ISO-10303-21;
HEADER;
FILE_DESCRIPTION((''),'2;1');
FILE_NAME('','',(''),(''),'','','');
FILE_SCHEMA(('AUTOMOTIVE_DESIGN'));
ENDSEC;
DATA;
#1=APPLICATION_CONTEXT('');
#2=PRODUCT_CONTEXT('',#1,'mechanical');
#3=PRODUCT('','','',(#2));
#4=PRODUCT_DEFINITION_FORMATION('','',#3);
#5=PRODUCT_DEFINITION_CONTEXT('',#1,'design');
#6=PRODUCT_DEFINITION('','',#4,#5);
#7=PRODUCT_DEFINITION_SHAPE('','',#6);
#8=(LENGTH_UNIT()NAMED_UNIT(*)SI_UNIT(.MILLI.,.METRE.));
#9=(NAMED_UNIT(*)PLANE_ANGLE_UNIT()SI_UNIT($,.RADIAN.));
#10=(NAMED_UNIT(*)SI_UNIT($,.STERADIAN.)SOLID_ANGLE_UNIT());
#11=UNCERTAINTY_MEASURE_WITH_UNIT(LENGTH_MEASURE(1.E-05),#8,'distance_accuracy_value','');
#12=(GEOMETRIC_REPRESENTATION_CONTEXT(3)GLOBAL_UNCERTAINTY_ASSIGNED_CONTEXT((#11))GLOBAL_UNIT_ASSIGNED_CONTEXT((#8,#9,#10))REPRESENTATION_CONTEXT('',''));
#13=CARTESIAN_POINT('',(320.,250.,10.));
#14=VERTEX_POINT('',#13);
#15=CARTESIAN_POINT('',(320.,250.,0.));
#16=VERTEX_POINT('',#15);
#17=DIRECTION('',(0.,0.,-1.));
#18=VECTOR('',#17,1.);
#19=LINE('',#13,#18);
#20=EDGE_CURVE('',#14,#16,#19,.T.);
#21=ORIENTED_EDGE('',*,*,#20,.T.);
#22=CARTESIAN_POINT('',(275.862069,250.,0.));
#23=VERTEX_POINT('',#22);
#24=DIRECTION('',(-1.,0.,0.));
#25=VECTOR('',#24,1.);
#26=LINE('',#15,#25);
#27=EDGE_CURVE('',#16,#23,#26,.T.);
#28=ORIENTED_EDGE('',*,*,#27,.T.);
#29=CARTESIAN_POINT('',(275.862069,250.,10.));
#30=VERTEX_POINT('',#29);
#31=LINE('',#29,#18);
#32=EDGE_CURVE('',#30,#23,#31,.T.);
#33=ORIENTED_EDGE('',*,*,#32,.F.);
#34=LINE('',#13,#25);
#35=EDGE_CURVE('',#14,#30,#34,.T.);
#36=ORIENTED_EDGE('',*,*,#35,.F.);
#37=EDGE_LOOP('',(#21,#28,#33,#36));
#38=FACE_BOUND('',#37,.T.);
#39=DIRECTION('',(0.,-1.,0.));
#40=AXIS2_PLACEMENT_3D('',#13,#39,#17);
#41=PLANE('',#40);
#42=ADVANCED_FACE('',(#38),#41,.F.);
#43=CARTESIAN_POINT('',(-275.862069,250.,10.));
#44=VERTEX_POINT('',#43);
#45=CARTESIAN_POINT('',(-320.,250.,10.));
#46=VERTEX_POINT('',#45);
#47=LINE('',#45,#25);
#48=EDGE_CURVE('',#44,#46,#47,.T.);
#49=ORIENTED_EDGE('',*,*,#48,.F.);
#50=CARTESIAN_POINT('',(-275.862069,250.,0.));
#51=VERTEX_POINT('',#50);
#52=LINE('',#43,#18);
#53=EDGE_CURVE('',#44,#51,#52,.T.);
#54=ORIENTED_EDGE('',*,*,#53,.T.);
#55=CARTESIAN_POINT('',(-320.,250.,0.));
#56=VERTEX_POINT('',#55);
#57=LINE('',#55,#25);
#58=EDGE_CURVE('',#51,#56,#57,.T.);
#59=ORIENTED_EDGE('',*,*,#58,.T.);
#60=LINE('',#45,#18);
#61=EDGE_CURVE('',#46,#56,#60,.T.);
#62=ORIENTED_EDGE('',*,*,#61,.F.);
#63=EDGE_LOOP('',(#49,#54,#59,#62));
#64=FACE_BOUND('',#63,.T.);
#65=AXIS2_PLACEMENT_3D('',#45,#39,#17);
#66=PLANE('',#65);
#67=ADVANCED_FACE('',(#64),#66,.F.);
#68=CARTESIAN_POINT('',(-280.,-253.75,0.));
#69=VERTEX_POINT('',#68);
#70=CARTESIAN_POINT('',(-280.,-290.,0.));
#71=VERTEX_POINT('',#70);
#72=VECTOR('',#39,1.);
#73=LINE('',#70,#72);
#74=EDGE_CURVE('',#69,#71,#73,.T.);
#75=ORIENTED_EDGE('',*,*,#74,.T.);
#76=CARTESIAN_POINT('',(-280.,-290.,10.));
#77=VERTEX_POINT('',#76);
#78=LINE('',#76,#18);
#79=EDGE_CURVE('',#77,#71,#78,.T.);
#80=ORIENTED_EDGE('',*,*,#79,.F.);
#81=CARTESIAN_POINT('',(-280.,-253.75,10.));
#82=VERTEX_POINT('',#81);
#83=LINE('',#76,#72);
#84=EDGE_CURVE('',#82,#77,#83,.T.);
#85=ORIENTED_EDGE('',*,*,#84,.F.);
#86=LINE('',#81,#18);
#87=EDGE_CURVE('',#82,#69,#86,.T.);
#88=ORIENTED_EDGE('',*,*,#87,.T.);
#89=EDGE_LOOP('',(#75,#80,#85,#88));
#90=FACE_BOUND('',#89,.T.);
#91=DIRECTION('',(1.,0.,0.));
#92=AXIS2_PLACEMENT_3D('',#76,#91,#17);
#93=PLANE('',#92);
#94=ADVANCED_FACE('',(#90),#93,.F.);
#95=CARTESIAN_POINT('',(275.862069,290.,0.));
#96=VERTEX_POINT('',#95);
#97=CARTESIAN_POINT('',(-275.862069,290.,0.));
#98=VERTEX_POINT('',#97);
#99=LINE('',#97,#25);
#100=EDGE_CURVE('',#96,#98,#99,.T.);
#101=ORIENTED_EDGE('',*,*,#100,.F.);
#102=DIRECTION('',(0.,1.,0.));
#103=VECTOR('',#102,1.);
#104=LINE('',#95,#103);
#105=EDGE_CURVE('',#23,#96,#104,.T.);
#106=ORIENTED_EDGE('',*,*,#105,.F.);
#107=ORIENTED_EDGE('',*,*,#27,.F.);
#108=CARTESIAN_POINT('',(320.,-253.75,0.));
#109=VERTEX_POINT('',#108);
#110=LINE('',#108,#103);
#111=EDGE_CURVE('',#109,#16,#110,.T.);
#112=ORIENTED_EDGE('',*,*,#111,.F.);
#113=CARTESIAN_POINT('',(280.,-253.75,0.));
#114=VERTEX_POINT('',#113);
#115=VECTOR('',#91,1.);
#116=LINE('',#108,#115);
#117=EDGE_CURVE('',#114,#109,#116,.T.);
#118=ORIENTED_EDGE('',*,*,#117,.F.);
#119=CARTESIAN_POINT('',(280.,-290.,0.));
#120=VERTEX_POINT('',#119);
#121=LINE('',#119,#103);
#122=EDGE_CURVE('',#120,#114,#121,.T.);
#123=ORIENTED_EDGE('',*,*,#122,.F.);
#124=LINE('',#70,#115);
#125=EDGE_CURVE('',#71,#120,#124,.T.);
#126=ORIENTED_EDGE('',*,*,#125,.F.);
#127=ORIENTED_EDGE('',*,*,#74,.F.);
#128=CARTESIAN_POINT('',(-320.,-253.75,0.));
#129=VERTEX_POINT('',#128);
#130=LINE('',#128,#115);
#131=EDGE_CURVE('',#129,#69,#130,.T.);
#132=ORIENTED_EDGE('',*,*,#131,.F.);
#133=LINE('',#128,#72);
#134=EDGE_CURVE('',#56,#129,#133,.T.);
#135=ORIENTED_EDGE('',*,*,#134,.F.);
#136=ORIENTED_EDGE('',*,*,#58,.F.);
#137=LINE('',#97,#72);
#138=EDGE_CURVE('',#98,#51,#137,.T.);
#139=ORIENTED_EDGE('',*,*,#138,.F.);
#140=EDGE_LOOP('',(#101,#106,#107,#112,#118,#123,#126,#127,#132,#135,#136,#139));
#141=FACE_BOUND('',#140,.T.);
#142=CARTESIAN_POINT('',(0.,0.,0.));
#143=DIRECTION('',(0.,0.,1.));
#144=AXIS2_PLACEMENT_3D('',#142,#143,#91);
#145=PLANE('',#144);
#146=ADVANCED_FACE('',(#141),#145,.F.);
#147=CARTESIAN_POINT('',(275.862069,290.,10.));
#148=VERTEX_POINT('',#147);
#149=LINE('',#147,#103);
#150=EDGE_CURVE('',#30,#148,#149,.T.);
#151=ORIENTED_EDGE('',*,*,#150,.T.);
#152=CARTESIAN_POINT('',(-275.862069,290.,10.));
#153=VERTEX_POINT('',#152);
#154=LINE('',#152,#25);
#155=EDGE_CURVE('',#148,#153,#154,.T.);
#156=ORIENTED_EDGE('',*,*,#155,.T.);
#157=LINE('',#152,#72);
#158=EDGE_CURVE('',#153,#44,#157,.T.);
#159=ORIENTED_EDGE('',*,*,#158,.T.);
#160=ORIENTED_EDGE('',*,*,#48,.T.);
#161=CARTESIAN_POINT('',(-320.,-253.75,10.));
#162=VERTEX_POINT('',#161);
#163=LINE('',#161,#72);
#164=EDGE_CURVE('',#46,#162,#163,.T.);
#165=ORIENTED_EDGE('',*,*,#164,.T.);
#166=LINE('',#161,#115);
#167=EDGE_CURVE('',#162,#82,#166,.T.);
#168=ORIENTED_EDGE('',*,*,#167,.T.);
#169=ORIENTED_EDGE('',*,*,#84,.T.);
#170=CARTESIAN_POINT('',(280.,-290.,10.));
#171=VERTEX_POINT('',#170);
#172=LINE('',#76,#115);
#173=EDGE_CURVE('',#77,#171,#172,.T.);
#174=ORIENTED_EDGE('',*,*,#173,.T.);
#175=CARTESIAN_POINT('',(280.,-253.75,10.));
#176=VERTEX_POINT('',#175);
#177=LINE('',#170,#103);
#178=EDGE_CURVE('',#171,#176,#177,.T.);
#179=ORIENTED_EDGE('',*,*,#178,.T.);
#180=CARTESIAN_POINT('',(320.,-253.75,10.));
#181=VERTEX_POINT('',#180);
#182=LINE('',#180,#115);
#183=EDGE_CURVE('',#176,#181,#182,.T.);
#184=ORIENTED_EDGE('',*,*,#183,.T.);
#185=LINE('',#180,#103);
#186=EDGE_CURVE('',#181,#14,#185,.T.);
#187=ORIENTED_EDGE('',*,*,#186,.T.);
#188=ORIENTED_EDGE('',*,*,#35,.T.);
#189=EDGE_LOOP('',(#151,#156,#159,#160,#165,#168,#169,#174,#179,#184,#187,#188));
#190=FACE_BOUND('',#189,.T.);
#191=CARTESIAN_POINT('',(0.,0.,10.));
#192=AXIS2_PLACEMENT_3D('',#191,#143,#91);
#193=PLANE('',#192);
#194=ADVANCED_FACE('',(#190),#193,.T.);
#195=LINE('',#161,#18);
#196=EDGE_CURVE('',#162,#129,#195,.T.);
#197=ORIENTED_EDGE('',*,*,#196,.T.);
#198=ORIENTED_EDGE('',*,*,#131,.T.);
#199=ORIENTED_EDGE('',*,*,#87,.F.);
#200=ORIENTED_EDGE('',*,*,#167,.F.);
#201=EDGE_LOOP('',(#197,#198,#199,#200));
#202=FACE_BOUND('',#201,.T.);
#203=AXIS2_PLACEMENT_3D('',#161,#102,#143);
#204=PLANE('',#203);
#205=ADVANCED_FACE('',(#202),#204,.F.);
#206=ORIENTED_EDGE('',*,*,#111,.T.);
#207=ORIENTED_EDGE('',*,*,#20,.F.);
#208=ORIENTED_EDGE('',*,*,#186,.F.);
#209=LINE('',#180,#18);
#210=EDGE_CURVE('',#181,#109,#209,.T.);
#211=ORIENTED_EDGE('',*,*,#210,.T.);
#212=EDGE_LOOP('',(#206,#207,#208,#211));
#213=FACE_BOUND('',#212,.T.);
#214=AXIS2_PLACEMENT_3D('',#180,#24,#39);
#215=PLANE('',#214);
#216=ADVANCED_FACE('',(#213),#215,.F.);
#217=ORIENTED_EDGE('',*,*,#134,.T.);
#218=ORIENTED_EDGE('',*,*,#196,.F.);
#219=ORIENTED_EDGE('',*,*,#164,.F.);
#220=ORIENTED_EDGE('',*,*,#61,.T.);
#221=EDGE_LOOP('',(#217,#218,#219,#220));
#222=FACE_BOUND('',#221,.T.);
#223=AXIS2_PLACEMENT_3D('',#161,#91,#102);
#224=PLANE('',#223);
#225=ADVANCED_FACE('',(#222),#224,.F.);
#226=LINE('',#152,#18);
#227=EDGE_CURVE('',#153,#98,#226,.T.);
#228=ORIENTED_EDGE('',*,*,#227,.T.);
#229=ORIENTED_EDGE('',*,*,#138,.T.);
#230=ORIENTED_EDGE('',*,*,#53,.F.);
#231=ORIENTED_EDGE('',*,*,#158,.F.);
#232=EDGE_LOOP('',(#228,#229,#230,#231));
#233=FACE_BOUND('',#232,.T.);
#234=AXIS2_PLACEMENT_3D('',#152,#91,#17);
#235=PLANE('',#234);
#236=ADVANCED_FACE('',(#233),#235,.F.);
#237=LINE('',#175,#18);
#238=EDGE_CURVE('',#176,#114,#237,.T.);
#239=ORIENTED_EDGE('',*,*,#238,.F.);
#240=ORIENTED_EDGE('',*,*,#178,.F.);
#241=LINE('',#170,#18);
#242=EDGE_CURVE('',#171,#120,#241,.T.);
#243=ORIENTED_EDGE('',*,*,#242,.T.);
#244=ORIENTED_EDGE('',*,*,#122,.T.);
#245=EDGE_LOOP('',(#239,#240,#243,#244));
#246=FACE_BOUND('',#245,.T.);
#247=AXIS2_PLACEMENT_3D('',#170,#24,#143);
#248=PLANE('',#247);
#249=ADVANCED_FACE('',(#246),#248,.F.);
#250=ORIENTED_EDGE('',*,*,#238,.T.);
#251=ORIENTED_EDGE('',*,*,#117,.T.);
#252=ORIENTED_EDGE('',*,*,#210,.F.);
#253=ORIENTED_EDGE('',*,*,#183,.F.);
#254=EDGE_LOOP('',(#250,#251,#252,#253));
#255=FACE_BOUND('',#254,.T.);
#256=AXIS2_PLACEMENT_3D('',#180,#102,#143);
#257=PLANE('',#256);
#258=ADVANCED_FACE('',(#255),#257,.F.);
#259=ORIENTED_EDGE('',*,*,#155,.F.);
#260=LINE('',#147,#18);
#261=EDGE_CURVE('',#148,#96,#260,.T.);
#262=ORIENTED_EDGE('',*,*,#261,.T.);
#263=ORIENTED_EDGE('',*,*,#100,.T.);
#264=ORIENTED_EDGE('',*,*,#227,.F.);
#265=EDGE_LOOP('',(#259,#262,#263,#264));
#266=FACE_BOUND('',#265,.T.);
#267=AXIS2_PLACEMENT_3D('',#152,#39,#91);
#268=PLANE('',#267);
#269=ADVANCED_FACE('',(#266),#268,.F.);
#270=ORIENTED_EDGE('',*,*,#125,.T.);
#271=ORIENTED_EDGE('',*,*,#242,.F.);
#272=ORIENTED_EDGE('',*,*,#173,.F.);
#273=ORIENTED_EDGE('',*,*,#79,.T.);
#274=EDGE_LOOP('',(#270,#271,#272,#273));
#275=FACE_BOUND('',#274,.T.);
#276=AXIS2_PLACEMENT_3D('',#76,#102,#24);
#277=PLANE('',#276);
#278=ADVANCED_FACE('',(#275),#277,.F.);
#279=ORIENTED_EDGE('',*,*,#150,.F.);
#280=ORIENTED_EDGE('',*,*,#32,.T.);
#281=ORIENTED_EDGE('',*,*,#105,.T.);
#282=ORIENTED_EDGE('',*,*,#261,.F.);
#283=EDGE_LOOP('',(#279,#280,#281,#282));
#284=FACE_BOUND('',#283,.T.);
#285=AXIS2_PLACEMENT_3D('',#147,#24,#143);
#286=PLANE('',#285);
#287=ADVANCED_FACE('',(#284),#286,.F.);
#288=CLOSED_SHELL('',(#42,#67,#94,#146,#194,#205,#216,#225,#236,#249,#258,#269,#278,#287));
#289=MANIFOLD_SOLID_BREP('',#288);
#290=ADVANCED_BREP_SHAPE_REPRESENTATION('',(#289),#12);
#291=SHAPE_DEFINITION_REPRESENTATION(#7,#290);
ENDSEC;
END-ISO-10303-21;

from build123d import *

# Parameters (mm, degrees)
BOSS_EXTRU_2_DEPTH = 10


with BuildPart() as part:
    # Esquisse1 → Boss.-Extru.2 (new body)
    with BuildSketch(Plane.XY):
        Polygon((-280, -290), (280, -290), (280, -253.75), (320, -253.75), (320, 250), (275.862068966, 250), (275.862068966, 290), (-275.862068966, 290), (-275.862068966, 250), (-320, 250), (-320, -253.75), (-280, -253.75), align=None)
    extrude(amount=BOSS_EXTRU_2_DEPTH)


solid = part.part
